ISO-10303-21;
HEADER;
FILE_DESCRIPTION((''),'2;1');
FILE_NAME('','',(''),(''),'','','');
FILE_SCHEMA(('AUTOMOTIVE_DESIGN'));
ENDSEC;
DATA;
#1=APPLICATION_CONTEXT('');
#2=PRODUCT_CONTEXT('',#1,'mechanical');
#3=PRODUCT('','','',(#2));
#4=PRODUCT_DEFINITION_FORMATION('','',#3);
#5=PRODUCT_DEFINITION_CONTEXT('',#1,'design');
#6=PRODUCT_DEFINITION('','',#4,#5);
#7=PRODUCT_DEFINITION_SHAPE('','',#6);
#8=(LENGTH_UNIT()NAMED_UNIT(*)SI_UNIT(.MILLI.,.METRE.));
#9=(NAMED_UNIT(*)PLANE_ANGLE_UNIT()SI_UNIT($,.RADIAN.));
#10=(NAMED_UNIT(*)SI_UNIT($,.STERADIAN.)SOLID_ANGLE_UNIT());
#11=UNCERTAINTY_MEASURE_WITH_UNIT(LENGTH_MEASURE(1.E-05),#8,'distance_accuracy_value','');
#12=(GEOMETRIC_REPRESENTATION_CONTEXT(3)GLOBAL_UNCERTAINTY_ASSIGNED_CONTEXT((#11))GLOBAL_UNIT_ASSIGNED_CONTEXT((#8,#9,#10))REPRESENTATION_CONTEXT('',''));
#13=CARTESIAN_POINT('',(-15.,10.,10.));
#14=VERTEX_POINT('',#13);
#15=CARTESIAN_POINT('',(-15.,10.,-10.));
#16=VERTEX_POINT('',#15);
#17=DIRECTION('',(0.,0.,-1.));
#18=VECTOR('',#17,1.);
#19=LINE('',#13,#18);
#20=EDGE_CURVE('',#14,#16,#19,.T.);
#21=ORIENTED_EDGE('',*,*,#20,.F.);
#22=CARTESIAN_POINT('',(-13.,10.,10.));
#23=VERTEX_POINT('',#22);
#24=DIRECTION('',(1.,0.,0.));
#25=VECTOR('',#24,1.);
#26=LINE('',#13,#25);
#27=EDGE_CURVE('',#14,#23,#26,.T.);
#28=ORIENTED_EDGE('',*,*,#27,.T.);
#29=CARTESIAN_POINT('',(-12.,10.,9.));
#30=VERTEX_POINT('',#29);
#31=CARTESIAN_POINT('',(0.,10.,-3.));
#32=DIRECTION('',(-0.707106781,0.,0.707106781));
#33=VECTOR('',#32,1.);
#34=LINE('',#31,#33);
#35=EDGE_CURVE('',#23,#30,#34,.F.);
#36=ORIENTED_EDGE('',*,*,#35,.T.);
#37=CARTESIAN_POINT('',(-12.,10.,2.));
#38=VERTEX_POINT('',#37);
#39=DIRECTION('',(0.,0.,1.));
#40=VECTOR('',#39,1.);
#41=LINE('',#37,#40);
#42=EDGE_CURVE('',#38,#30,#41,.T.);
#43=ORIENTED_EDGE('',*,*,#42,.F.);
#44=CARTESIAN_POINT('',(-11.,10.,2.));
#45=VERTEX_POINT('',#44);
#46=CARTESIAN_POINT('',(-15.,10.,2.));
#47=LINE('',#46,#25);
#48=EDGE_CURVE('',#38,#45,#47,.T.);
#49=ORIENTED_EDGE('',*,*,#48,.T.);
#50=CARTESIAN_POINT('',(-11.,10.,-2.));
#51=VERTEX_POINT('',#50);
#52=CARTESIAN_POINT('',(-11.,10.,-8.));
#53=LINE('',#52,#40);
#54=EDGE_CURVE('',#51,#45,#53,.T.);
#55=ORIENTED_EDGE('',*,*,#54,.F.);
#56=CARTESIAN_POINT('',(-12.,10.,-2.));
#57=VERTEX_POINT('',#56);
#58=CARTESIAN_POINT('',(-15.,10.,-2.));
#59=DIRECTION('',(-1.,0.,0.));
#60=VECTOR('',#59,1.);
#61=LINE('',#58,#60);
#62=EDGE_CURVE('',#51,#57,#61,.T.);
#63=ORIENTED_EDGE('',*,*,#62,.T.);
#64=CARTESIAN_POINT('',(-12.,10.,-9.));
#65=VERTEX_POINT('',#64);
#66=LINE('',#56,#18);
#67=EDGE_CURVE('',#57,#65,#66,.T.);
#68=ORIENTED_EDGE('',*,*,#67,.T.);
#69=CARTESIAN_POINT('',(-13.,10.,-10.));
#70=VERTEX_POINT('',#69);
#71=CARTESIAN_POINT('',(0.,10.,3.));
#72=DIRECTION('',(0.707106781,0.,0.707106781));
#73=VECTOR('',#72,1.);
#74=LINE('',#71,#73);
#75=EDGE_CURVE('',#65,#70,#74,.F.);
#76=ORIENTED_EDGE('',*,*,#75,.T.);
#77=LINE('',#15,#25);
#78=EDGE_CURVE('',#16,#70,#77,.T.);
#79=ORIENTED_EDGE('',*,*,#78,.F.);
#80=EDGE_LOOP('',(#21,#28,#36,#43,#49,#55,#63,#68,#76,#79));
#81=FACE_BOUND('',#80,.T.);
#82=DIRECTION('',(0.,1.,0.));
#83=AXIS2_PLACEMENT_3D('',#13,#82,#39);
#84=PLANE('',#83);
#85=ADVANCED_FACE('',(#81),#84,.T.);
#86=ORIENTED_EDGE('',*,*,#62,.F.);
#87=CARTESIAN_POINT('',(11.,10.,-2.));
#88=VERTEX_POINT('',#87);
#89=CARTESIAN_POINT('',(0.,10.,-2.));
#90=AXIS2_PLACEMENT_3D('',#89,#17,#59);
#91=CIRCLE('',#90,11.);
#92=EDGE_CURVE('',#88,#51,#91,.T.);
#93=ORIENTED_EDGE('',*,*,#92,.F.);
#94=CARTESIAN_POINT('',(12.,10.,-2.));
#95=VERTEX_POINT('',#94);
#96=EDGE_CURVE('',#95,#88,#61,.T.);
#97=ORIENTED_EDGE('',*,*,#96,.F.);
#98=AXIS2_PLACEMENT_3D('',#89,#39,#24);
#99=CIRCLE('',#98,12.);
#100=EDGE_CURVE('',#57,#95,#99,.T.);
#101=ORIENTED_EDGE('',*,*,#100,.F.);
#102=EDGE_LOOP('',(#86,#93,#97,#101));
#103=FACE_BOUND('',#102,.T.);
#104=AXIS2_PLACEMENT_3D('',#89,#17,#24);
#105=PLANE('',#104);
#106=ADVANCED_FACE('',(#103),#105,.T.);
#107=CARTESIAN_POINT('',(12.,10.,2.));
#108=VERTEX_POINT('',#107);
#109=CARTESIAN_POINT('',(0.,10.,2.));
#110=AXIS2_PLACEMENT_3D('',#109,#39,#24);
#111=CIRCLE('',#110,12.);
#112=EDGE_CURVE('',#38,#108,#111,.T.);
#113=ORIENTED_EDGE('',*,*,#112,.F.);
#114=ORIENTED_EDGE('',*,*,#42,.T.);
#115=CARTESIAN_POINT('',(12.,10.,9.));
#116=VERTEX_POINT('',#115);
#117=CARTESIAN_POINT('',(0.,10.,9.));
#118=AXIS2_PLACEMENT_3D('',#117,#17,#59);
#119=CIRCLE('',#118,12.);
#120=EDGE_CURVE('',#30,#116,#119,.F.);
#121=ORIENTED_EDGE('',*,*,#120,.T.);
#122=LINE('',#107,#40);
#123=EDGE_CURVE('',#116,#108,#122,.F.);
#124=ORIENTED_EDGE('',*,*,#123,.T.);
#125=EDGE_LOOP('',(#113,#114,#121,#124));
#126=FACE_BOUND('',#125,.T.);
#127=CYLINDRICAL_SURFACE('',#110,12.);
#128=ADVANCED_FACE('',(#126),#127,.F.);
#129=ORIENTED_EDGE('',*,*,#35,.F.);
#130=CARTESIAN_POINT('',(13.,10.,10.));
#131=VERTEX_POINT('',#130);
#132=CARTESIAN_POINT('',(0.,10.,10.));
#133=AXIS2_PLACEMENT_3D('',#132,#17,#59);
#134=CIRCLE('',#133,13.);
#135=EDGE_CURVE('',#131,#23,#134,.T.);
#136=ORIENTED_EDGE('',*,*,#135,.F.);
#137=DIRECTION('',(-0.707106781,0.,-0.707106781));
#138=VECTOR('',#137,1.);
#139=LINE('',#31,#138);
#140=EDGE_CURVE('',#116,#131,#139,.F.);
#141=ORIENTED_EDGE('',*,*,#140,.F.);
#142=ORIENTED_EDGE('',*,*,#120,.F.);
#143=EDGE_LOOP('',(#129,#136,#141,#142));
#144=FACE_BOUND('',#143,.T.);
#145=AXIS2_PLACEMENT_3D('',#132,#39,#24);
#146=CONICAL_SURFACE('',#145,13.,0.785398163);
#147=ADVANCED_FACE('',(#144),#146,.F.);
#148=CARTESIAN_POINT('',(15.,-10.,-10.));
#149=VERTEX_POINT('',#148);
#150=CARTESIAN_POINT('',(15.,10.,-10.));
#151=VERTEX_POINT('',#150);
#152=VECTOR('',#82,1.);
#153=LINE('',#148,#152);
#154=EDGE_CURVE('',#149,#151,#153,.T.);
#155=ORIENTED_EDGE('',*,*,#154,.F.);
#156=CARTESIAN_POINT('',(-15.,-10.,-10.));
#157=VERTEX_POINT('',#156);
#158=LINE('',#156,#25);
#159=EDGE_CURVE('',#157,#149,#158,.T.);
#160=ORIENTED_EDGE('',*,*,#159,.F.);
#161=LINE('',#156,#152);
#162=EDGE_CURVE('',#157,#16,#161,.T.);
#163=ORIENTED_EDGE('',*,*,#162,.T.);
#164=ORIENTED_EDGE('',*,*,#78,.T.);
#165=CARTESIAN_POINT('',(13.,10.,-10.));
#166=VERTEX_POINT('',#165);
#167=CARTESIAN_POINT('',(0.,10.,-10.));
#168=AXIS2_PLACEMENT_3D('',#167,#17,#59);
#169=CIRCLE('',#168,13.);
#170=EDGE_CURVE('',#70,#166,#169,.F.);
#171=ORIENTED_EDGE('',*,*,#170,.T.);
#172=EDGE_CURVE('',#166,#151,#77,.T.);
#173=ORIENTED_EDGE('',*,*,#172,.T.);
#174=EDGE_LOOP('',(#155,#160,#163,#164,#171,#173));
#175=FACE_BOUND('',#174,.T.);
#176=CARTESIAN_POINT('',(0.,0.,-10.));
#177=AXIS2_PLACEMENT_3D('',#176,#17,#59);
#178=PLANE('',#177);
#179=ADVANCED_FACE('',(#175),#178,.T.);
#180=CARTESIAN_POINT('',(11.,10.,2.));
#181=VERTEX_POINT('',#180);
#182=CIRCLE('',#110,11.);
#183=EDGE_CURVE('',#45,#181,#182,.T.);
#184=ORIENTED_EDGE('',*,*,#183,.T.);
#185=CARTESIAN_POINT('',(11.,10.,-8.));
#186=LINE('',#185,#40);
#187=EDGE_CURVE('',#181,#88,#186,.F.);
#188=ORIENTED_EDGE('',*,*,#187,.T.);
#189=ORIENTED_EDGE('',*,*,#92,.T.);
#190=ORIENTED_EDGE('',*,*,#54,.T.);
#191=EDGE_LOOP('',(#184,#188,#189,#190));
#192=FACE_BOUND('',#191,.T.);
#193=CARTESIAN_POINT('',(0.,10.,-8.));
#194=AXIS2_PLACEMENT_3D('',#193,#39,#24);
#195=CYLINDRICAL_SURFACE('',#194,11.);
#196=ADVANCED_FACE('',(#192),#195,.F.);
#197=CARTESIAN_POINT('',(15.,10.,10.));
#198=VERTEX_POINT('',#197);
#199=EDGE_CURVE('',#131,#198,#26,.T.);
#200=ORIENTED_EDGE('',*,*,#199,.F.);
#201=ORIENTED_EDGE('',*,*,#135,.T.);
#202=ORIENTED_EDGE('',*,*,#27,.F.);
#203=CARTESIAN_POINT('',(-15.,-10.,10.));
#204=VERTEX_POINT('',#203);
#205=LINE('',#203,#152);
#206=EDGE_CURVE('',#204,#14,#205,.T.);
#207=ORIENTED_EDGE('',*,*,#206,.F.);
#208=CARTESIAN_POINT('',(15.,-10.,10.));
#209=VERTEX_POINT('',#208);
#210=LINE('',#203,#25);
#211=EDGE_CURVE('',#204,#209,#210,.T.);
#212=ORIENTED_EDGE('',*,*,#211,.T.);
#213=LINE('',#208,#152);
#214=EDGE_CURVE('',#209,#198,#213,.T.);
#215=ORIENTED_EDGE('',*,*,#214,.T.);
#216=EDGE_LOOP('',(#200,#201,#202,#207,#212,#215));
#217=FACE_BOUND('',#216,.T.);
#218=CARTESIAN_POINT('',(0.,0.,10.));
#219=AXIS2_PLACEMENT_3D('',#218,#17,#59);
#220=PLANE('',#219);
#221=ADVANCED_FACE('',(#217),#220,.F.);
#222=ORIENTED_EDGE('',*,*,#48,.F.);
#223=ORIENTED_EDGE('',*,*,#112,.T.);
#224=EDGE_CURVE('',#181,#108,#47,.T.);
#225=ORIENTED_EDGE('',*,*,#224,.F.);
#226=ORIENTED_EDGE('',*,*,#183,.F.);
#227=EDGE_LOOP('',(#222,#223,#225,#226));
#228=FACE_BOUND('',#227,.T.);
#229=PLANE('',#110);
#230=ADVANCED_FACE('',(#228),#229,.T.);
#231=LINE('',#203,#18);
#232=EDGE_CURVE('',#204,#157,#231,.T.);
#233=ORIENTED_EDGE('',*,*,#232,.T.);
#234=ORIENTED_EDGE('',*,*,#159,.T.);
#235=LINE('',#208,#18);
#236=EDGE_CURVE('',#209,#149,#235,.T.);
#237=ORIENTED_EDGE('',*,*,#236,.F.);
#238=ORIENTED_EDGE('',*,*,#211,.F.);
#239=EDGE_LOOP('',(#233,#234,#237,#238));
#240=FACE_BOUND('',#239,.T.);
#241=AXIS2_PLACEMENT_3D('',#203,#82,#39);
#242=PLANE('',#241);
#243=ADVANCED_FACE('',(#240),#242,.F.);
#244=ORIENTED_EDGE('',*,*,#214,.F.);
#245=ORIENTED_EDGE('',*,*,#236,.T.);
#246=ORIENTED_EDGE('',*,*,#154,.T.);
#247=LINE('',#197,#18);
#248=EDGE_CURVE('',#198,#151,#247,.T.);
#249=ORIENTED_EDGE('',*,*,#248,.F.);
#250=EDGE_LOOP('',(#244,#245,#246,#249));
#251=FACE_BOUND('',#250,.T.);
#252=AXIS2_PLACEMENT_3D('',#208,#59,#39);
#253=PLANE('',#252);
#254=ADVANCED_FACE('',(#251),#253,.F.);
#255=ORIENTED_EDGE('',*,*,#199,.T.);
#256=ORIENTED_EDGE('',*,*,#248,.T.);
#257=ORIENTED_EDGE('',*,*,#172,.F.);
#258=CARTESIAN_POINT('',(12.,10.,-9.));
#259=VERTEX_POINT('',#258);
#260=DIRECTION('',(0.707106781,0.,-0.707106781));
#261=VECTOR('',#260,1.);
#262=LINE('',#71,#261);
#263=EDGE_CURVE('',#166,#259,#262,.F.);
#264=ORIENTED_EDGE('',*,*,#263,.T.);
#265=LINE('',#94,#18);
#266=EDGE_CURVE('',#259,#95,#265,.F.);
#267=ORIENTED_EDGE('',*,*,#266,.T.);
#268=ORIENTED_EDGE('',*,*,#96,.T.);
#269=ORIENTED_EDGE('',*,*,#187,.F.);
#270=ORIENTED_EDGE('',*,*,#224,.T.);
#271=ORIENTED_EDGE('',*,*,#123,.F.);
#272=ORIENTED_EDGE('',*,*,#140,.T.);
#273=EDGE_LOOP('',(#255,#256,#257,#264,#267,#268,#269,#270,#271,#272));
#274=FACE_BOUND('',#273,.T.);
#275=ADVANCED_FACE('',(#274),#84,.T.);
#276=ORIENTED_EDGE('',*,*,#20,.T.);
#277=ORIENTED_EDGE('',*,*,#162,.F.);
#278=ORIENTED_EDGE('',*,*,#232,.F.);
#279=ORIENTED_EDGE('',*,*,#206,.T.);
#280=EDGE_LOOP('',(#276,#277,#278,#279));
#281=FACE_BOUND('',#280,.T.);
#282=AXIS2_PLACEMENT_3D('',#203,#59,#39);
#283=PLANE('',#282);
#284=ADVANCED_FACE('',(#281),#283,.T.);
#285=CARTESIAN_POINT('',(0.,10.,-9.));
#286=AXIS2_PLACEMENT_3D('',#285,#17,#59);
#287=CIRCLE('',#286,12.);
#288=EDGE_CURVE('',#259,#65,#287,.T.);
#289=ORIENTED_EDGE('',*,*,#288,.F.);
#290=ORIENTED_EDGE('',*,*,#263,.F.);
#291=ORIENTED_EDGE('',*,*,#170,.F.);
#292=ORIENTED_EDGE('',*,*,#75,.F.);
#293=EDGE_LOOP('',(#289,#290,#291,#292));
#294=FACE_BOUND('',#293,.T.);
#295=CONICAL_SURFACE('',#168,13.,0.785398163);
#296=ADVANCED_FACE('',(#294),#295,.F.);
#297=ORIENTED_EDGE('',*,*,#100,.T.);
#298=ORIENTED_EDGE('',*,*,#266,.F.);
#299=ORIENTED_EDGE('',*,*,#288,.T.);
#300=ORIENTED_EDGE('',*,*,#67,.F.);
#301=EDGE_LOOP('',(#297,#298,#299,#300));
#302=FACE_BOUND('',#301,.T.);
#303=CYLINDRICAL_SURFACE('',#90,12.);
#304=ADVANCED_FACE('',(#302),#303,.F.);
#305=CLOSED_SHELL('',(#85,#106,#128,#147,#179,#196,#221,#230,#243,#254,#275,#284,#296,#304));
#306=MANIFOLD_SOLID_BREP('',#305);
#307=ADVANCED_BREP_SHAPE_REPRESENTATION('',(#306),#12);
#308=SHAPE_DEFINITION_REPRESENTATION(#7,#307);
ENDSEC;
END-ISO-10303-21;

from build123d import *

# Parameters (mm, degrees)
SKETCH_1_W          = 30
SKETCH_1_H          = 20
EXTRUDE_1_DEPTH     = 10
SKETCH_2_R          = 12
CUT_EXTRUDE_1_DEPTH = 8
SKETCH_3_R          = 11
CUT_EXTRUDE_2_DEPTH = 10
CHAMFER_1_SIZE      = 1


with BuildPart() as part:
    # 스케치1 → 보스-돌출1 (new, symmetric)
    with BuildSketch(Plane.XY):
        Rectangle(SKETCH_1_W, SKETCH_1_H)
    extrude(amount=EXTRUDE_1_DEPTH, both=True)

    # 스케치2 → 컷-돌출1 (cut)
    with BuildSketch(Plane.XY.offset(10)):
        with Locations((0, 10)):
            Circle(SKETCH_2_R)
    cut_extrude_1 = extrude(amount=-CUT_EXTRUDE_1_DEPTH, mode=Mode.SUBTRACT)

    # 대칭 복사1: 컷-돌출1 across plane
    add(cut_extrude_1.mirror(Plane.XY), mode=Mode.SUBTRACT)

    # 스케치3 → 컷-돌출2 (cut)
    with BuildSketch(Plane.XY.offset(2)):
        with Locations((0, 10)):
            Circle(SKETCH_3_R)
    extrude(amount=-CUT_EXTRUDE_2_DEPTH, mode=Mode.SUBTRACT)

    # 모따기1
    chamfer_1_edges = [part.edges().sort_by_distance(p)[0] for p in [
        (0, -2, 10),
        (0, -2, -10),
    ]]
    chamfer(chamfer_1_edges, length=CHAMFER_1_SIZE)


solid = part.part
